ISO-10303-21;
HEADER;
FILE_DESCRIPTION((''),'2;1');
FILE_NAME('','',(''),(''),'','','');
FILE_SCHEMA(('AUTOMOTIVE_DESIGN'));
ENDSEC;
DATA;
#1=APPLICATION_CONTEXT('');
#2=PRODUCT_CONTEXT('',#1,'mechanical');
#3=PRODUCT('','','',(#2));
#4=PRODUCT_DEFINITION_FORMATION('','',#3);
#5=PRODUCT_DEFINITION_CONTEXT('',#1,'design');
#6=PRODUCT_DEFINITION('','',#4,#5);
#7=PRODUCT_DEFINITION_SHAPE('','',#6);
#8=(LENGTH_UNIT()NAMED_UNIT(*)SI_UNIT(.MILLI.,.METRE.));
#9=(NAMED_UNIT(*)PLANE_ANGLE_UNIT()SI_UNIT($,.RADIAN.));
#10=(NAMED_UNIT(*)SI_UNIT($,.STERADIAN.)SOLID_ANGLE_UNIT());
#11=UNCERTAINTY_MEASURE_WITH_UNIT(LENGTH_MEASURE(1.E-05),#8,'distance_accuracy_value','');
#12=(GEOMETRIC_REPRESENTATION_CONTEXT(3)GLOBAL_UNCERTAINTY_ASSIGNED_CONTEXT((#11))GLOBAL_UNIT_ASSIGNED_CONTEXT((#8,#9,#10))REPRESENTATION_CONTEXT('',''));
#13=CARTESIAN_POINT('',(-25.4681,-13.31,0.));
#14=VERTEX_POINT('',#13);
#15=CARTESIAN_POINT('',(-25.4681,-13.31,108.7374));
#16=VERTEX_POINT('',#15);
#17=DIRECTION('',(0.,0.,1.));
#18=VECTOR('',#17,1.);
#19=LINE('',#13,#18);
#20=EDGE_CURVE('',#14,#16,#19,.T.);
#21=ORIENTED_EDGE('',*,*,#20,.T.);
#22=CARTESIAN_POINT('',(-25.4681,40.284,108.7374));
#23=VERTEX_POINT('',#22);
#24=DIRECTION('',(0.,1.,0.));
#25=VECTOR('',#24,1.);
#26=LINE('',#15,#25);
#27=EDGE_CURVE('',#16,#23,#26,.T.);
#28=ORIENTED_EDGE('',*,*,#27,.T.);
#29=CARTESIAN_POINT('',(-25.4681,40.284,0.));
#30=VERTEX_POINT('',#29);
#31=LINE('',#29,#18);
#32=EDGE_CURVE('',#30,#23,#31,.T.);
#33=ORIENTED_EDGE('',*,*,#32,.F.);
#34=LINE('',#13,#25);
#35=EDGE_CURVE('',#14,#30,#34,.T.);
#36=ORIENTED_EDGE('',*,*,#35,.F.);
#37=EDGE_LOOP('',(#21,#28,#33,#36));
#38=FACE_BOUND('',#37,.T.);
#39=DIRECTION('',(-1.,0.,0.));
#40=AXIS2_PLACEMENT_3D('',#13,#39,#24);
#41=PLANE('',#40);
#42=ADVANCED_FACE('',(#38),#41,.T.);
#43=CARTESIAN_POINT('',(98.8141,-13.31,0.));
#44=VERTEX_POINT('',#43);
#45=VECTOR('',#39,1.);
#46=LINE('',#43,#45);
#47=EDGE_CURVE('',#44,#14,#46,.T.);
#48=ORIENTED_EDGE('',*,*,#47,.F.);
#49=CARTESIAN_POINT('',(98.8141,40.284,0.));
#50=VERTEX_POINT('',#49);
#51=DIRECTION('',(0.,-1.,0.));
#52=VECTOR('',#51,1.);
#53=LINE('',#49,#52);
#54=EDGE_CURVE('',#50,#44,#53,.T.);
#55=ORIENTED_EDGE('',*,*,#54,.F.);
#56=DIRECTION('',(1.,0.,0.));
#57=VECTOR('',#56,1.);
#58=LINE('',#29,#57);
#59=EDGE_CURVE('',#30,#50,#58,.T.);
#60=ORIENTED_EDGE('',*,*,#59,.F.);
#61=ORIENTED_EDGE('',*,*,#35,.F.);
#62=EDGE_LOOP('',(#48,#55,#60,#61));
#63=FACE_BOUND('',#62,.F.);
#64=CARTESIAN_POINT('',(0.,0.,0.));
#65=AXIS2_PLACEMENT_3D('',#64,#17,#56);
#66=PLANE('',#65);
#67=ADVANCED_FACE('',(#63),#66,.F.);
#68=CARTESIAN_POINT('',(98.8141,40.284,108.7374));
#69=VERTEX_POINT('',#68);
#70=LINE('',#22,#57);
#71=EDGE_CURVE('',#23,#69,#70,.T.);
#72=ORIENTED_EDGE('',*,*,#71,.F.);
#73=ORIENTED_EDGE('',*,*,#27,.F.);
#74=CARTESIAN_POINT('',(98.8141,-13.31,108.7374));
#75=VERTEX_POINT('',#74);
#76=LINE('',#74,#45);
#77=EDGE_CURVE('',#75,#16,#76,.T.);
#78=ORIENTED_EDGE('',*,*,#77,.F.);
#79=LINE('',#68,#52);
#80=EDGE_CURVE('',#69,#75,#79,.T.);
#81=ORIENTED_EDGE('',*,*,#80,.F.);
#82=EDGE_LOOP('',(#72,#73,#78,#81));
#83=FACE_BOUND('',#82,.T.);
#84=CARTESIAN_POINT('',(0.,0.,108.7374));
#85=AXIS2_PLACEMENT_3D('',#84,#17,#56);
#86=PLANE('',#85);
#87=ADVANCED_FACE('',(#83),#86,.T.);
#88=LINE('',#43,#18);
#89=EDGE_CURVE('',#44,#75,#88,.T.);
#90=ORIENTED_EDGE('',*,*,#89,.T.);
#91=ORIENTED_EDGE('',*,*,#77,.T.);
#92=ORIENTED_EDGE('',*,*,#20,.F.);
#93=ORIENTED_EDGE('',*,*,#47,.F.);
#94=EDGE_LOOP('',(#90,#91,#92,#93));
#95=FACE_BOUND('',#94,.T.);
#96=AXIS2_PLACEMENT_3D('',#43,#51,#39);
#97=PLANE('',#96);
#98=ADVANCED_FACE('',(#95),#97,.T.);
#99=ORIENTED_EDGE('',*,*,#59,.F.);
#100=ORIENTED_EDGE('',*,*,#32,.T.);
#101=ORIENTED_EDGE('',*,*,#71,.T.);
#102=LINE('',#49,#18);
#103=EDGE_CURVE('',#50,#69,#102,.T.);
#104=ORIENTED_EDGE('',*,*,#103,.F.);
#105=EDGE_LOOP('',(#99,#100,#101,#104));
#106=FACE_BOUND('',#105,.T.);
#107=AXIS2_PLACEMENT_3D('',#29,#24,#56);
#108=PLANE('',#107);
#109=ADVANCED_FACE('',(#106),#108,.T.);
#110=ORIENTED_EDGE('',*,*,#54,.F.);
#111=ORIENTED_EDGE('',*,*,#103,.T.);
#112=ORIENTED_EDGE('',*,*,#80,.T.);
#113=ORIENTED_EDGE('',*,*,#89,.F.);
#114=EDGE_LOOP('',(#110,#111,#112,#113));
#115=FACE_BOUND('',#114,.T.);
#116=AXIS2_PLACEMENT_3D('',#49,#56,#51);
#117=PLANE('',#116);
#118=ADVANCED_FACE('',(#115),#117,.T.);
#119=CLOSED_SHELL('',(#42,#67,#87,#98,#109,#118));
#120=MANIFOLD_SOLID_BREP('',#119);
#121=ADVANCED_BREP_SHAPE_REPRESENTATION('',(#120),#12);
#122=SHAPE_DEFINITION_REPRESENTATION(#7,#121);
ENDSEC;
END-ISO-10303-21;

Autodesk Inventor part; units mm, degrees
ref_plane "YZ Plane" through (0, 0, 0) normal (1, 0, 0) x (0, 1, 0)
ref_plane "XZ Plane" through (0, 0, 0) normal (0, 1, 0) x (-1, 0, 0)
ref_plane "XY Plane" through (0, 0, 0) normal (0, 0, 1) x (1, 0, 0)
sketch "Sketch1" plane through (0, 0, 0) normal (0, 0, 1) x (1, 0, 0)
  line L0 (-25.4681, 40.284) -> (98.8141, 40.284)
  line L1 (98.8141, 40.284) -> (98.8141, -13.31)
  line L2 (98.8141, -13.31) -> (-25.4681, -13.31)
  line L3 (-25.4681, -13.31) -> (-25.4681, 40.284)
  point P0 (0, 0)
  dimension "d0" = 124.2822
  dimension "d1" = 53.594
extrude "Extrusion1" add sketch "Sketch1" along normal blind 108.7374
properties part number "Air Compressor"
